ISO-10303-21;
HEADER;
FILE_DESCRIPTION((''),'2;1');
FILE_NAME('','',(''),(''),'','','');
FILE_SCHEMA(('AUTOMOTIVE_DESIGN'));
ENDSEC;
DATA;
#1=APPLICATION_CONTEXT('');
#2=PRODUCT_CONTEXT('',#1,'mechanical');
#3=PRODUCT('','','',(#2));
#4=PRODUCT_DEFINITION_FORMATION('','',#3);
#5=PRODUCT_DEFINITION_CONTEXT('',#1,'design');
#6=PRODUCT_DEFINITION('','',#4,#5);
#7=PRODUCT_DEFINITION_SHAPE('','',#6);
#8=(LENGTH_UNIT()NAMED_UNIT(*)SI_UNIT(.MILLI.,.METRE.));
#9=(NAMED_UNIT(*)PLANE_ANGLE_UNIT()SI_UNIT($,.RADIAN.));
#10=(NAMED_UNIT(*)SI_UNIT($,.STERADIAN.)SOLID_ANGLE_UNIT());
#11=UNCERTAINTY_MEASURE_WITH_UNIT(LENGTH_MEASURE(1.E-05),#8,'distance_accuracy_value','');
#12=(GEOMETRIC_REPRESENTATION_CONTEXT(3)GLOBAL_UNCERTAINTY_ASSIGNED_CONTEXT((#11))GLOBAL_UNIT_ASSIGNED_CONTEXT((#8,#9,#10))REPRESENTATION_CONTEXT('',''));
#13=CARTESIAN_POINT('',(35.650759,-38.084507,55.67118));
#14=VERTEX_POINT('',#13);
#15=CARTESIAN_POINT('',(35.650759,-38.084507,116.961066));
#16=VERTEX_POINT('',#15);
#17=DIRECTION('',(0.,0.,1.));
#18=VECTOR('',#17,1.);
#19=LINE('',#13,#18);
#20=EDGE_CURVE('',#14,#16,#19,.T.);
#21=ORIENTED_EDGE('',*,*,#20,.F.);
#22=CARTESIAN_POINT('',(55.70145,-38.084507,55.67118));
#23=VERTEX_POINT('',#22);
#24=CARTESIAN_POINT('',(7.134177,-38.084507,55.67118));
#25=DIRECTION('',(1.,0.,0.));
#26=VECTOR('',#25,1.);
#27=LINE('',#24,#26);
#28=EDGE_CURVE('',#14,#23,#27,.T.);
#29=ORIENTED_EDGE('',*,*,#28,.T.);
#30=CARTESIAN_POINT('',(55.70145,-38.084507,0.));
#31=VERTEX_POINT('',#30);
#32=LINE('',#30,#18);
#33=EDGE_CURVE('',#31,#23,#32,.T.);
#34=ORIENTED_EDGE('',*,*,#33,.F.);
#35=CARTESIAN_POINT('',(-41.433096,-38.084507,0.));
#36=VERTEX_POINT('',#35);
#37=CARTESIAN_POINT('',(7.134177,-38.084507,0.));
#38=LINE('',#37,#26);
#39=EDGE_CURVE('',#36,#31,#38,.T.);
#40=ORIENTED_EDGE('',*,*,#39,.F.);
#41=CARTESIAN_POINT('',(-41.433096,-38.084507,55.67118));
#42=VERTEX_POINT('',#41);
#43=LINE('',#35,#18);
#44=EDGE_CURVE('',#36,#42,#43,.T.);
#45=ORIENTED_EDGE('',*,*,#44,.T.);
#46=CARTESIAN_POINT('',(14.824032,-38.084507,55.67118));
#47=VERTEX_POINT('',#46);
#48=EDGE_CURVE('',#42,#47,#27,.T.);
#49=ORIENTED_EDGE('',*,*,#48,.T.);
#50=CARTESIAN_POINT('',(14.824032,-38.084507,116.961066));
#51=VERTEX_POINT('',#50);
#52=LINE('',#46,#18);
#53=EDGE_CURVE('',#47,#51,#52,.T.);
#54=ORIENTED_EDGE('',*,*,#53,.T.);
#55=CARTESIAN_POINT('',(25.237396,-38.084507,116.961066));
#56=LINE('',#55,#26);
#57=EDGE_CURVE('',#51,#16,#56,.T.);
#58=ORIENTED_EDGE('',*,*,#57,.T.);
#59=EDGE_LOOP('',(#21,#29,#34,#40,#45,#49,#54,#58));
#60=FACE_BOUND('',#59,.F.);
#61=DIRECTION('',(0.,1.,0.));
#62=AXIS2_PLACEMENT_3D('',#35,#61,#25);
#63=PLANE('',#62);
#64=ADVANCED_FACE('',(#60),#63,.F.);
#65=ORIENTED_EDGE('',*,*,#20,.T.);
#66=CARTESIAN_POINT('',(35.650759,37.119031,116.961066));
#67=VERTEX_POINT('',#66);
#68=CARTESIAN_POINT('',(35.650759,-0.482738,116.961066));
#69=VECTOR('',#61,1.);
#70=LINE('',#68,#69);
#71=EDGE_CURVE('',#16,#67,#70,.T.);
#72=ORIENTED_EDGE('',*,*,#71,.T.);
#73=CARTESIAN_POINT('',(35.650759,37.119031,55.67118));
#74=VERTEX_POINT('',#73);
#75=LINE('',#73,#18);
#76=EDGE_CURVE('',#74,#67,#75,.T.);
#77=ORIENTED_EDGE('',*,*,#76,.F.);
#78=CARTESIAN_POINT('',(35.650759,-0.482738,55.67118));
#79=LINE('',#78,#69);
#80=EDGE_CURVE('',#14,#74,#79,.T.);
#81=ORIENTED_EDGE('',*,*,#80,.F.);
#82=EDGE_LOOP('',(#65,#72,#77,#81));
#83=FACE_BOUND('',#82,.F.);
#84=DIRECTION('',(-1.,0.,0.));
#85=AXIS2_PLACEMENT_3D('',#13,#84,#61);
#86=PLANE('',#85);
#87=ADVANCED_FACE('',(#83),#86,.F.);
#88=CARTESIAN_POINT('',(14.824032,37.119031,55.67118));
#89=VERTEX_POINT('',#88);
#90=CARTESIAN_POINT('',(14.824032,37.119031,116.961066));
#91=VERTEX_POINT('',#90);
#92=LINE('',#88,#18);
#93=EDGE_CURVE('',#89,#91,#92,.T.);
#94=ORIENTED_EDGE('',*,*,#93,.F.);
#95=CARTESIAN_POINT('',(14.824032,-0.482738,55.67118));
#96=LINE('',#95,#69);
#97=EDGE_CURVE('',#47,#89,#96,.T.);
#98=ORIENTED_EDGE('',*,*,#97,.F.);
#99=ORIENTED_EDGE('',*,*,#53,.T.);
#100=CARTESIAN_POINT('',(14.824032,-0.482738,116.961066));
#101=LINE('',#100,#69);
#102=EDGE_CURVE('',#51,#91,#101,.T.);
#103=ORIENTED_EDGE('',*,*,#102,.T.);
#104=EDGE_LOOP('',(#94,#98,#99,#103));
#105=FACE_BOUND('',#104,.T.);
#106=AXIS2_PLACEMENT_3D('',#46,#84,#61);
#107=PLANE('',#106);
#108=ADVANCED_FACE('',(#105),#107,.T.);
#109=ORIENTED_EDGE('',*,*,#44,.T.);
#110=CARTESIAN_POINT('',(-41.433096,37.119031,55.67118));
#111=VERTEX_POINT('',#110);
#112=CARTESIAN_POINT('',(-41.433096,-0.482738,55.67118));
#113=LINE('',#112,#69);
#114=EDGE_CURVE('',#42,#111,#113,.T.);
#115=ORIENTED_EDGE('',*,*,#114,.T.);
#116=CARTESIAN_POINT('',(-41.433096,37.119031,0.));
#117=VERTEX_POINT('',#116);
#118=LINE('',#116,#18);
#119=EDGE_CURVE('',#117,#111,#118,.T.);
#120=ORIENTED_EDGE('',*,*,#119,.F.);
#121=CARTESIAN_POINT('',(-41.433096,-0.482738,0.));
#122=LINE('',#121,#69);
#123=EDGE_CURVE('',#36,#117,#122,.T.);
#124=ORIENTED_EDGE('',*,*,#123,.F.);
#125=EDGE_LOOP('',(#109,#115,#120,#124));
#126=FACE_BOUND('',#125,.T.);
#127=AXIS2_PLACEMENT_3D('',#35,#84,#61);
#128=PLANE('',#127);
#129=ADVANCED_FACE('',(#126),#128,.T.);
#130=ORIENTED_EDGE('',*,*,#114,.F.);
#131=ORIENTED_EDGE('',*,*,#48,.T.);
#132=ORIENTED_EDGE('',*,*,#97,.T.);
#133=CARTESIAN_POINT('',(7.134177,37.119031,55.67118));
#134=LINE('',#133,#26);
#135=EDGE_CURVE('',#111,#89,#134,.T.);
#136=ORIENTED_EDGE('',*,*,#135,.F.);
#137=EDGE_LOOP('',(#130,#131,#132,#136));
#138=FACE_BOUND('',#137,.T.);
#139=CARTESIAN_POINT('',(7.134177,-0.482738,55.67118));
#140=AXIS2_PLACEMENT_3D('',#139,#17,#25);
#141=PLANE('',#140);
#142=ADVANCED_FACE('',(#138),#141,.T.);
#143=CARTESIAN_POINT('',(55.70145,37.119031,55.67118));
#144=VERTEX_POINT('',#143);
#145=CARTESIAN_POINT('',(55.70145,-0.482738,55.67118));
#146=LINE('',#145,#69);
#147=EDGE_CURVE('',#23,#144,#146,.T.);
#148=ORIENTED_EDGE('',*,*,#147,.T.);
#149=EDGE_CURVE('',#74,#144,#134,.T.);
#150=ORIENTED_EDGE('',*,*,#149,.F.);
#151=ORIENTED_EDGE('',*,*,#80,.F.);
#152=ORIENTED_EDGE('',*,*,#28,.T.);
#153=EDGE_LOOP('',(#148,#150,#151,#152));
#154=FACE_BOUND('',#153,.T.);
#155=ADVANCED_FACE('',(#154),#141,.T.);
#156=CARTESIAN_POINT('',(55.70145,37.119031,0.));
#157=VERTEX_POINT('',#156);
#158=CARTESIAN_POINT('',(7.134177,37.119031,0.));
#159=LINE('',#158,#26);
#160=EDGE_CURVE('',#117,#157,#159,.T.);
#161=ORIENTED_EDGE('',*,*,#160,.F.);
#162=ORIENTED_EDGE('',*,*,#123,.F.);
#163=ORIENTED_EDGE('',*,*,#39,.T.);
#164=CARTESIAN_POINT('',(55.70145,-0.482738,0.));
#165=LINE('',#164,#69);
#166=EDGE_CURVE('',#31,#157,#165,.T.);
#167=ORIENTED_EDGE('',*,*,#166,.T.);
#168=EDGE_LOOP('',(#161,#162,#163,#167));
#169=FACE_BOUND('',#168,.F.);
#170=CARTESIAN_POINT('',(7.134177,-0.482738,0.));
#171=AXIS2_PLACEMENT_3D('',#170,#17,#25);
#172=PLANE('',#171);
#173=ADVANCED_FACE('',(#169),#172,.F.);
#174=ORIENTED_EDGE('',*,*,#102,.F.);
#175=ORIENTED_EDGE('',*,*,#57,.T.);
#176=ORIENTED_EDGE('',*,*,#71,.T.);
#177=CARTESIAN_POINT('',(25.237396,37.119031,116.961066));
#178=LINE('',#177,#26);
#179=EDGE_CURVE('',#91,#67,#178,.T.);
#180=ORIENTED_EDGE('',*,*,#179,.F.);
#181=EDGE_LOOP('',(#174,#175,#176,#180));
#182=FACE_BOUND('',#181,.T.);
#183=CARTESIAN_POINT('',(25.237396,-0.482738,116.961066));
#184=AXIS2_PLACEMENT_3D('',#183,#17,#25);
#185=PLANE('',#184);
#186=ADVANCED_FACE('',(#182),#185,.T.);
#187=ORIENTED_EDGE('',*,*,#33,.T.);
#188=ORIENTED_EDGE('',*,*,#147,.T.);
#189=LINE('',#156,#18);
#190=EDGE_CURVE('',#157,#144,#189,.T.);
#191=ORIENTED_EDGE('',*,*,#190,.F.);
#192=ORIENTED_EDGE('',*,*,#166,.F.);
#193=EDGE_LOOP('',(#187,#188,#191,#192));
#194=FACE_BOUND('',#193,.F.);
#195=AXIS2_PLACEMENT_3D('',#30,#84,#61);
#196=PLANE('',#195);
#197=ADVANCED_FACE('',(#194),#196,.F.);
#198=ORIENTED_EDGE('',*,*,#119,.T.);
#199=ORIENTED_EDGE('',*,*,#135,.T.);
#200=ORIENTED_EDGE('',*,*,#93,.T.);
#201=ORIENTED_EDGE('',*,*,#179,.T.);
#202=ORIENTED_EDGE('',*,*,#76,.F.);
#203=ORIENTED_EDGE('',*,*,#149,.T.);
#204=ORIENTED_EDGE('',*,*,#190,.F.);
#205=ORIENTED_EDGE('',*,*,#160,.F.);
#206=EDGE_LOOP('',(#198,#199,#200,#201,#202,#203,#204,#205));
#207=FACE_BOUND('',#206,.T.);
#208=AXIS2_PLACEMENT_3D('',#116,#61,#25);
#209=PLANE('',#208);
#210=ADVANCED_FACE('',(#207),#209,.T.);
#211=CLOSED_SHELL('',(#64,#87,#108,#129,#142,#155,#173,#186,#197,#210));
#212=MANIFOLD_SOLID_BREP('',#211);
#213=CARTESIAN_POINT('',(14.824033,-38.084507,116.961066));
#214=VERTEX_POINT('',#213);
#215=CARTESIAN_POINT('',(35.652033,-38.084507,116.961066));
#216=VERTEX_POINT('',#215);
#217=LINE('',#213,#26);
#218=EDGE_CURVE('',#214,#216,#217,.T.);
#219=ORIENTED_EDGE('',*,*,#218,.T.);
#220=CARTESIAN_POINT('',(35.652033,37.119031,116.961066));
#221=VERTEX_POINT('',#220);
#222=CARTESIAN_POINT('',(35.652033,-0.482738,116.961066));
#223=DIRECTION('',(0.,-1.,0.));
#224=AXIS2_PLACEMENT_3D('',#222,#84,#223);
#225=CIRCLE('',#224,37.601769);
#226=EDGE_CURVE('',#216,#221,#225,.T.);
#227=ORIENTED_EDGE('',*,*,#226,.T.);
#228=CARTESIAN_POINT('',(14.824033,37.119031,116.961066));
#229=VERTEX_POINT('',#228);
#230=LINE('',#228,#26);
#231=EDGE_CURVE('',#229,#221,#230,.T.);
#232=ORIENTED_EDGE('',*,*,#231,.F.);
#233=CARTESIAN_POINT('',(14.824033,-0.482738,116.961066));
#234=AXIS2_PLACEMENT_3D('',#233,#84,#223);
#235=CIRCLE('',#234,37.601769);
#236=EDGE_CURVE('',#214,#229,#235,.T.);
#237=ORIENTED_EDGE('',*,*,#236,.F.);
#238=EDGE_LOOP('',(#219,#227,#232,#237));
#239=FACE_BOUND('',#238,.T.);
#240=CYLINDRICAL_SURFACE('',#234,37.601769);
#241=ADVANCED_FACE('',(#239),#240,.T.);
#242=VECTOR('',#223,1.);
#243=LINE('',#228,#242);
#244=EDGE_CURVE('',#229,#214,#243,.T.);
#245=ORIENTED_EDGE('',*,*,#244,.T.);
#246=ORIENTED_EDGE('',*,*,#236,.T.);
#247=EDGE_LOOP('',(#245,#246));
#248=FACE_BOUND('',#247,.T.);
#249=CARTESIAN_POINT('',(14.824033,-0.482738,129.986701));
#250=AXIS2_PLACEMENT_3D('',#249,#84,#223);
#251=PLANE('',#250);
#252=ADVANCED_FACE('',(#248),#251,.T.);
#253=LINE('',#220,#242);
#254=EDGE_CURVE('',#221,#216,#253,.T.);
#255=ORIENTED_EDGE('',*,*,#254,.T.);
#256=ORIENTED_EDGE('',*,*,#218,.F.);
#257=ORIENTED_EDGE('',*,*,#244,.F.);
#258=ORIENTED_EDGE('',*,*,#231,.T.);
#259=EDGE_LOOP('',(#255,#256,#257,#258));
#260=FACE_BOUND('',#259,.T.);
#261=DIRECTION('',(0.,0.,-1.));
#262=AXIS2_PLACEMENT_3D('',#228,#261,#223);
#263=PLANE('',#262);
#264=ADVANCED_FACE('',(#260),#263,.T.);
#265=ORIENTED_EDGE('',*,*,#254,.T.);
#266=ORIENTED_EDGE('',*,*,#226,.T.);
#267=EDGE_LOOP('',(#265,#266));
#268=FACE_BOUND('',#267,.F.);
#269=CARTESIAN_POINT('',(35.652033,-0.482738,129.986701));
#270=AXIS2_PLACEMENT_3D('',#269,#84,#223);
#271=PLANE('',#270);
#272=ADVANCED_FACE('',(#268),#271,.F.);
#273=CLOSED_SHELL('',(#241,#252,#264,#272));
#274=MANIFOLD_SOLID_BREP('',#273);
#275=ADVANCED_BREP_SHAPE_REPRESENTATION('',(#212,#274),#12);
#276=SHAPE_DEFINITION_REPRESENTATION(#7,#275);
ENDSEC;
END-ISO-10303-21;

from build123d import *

# Parameters (mm, degrees)
F0_W     = 97.134546
F0_H     = 75.203538
F1_DEPTH = 55.67118
F2_W     = 20.826727
F2_H     = 75.203538
F3_DEPTH = 61.289886
F5_DEPTH = 20.828


with BuildPart() as f1:
    # F0 (on Top) → F1 (new body)
    with BuildSketch(Plane.XY):
        with Locations((7.134177, -0.482738)):
            Rectangle(F0_W, F0_H)
    extrude(amount=F1_DEPTH)

    # F2 (on face) → F3 (join)
    with BuildSketch(Plane.XY.offset(55.67118)):
        with Locations((25.237396, -0.482738)):
            Rectangle(F2_W, F2_H)
    extrude(amount=F3_DEPTH)


with BuildPart() as f5:
    # F4 (on face) → F5 (new body)
    with BuildSketch(Plane(origin=(14.824033, 0, 0), x_dir=(0, -1, 0), z_dir=(-1, 0, 0))):
        with BuildLine():
            Line((-37.119031, 116.961066), (38.084507, 116.961066))
            ThreePointArc((38.084507, 116.961066), (0.482738, 154.562835), (-37.119031, 116.961066))
        make_face()
    extrude(amount=-F5_DEPTH)


solid = Compound([f1.part, f5.part])
